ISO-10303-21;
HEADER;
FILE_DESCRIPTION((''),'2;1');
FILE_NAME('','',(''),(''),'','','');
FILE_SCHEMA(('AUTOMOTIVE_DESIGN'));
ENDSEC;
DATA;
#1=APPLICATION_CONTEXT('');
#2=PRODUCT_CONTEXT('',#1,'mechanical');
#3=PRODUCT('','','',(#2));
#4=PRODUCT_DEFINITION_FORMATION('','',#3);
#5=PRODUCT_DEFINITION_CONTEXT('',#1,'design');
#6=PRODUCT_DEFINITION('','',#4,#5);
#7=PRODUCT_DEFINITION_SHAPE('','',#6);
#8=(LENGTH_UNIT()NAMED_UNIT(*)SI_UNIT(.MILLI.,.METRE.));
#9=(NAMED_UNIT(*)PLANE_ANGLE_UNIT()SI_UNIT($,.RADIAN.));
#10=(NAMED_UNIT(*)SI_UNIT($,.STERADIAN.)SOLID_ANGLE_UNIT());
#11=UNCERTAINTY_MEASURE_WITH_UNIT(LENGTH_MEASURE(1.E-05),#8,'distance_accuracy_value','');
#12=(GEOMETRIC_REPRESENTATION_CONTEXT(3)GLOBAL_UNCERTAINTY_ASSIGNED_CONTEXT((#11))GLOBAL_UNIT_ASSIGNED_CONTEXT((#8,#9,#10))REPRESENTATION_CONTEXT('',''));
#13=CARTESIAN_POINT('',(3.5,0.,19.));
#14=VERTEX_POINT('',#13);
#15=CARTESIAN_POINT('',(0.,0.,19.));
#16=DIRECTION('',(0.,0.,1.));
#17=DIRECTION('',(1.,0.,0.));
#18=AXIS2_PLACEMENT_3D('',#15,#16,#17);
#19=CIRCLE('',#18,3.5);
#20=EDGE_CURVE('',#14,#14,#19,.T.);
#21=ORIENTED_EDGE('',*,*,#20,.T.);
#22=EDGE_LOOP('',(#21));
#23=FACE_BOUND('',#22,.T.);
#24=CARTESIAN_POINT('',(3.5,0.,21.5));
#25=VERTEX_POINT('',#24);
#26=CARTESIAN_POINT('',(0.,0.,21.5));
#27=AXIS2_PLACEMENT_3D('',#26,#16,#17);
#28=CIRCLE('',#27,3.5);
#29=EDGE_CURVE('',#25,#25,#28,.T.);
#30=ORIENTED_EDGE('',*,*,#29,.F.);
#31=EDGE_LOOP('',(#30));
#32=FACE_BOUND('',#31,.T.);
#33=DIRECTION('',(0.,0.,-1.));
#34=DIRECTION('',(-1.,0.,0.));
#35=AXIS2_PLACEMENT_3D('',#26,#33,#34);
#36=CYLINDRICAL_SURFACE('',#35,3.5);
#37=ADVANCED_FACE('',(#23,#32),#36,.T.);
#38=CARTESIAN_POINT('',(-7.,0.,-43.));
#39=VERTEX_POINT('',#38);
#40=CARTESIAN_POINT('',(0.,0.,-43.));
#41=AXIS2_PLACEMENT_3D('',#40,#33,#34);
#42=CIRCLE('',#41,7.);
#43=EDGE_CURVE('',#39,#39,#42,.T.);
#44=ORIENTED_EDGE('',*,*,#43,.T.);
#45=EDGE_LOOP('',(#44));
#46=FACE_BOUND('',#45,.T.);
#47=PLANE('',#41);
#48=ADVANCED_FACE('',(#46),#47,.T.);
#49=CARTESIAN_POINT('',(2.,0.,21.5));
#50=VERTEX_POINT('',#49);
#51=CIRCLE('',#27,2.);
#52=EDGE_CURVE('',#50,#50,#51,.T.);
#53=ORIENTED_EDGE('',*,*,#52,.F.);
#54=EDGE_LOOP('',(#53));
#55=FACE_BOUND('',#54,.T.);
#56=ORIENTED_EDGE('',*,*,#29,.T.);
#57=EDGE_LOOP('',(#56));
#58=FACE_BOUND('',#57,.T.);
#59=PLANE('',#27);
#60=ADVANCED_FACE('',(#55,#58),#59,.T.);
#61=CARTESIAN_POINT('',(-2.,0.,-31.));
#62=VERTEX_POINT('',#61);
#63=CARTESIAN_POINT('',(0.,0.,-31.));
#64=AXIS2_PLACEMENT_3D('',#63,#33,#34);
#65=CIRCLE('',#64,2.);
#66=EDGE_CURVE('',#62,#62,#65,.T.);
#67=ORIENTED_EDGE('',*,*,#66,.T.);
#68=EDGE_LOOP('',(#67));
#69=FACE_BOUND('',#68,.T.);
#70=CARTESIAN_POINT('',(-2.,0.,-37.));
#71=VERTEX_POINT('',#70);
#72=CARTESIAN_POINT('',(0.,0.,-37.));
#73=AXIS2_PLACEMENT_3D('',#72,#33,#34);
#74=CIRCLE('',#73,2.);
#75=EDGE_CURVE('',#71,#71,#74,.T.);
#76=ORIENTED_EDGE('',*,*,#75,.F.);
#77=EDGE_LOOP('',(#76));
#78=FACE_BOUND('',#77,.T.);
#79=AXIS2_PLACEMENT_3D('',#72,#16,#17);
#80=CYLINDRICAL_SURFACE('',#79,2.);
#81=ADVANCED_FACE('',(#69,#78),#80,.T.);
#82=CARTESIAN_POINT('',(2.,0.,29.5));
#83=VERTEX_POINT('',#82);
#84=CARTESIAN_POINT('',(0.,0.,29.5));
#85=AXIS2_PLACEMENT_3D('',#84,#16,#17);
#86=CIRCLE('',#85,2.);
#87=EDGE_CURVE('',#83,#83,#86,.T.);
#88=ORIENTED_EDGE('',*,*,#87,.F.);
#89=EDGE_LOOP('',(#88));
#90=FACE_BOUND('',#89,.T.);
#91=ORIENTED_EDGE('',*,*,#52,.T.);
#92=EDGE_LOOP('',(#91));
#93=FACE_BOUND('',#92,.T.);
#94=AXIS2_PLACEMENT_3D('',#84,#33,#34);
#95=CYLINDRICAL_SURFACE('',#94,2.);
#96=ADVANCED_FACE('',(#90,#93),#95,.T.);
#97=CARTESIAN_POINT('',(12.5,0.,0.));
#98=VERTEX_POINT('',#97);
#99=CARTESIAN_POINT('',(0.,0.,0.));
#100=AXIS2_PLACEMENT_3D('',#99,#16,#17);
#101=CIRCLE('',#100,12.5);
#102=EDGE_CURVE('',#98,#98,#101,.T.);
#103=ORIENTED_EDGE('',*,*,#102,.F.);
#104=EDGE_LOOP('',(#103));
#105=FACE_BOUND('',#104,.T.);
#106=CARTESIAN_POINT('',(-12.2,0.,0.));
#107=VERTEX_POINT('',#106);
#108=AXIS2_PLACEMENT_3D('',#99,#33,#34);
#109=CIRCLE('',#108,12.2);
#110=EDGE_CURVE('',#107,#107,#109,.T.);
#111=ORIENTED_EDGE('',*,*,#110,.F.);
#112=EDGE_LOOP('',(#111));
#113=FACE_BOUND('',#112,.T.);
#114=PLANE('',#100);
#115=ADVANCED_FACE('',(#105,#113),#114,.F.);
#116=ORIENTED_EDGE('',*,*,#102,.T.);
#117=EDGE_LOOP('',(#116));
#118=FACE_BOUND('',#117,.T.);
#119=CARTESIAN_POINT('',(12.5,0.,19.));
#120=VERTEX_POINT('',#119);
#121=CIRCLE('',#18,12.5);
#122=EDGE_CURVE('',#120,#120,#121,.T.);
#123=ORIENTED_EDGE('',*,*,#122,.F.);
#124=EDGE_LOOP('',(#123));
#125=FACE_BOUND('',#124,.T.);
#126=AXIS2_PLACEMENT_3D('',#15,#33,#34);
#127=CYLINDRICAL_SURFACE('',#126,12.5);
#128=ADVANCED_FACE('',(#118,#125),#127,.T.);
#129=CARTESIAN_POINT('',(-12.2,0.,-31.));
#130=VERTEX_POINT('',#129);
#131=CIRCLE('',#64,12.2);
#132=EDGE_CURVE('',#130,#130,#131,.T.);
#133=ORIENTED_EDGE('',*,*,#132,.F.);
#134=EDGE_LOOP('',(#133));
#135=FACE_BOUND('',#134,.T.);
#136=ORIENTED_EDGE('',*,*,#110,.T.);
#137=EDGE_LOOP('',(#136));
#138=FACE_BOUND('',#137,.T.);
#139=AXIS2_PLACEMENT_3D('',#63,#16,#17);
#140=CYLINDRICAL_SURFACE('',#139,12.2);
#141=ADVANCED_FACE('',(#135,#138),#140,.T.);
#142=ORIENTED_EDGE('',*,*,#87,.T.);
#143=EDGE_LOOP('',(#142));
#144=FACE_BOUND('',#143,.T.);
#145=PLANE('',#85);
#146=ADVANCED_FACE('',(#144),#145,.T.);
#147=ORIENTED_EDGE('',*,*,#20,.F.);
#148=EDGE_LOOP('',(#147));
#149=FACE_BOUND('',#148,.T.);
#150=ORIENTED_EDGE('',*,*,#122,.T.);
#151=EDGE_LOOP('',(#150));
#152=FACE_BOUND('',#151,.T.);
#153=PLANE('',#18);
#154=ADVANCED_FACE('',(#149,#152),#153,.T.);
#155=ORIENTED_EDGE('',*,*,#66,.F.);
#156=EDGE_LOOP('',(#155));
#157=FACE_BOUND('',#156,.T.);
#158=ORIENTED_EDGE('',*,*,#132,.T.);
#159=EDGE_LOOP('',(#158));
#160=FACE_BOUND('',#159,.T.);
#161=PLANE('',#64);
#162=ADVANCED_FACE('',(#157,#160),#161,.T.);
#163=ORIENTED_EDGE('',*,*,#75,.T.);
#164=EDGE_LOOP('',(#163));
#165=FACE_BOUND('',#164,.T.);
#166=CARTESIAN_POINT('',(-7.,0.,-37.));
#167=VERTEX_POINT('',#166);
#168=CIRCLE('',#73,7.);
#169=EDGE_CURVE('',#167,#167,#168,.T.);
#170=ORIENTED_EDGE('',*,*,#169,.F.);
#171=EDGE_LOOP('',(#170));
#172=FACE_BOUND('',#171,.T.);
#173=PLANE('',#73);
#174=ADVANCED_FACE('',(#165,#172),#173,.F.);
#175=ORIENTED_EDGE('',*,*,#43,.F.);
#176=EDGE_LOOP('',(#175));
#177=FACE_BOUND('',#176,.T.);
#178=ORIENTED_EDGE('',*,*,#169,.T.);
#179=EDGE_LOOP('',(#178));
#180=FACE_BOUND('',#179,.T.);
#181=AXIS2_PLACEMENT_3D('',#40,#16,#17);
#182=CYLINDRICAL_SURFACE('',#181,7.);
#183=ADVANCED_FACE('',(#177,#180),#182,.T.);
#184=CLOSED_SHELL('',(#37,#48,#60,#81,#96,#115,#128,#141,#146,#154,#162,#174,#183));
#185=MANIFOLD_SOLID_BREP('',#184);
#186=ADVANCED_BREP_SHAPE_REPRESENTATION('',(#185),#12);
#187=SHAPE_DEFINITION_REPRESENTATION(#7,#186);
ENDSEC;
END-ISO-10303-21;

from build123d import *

# Parameters (mm, degrees)
CROQUIS1_R              = 12.5
SALIENTE_EXTRUIR1_DEPTH = 19
CROQUIS3_R              = 3.5
SALIENTE_EXTRUIR2_DEPTH = 2.5
CROQUIS4_R              = 2
SALIENTE_EXTRUIR3_DEPTH = 8
CROQUIS5_R              = 12.2
SALIENTE_EXTRUIR4_DEPTH = 31
SALIENTE_EXTRUIR5_START = 6
CROQUIS6_R              = 2
SALIENTE_EXTRUIR5_DEPTH = 6
CROQUIS7_R              = 7
SALIENTE_EXTRUIR6_DEPTH = 6


with BuildPart() as part:
    # Croquis1 → Saliente-Extruir1 (new body)
    with BuildSketch(Plane.XY):
        Circle(CROQUIS1_R)
    extrude(amount=SALIENTE_EXTRUIR1_DEPTH)

    # Croquis3 → Saliente-Extruir2 (add)
    with BuildSketch(Plane.XY.offset(19)):
        Circle(CROQUIS3_R)
    extrude(amount=SALIENTE_EXTRUIR2_DEPTH)

    # Croquis4 → Saliente-Extruir3 (add)
    with BuildSketch(Plane.XY.offset(21.5)):
        Circle(CROQUIS4_R)
    extrude(amount=SALIENTE_EXTRUIR3_DEPTH)

    # Croquis5 → Saliente-Extruir4 (add)
    with BuildSketch(Plane(origin=(0, 0, 0), x_dir=(-1, 0, 0), z_dir=(0, 0, -1))):
        Circle(CROQUIS5_R)
    extrude(amount=SALIENTE_EXTRUIR4_DEPTH)

    # Croquis6 → Saliente-Extruir5 (add)
    with BuildSketch(Plane(origin=(0, 0, -31), x_dir=(-1, 0, 0), z_dir=(0, 0, -1)).offset(SALIENTE_EXTRUIR5_START)):
        with Locations(Location((0, 0, 0), (0, 0, 180))):
            Circle(CROQUIS6_R)
    extrude(amount=-SALIENTE_EXTRUIR5_DEPTH)

    # Croquis7 → Saliente-Extruir6 (add)
    with BuildSketch(Plane(origin=(0, 0, -37), x_dir=(-1, 0, 0), z_dir=(0, 0, -1))):
        Circle(CROQUIS7_R)
    extrude(amount=SALIENTE_EXTRUIR6_DEPTH)


solid = part.part
